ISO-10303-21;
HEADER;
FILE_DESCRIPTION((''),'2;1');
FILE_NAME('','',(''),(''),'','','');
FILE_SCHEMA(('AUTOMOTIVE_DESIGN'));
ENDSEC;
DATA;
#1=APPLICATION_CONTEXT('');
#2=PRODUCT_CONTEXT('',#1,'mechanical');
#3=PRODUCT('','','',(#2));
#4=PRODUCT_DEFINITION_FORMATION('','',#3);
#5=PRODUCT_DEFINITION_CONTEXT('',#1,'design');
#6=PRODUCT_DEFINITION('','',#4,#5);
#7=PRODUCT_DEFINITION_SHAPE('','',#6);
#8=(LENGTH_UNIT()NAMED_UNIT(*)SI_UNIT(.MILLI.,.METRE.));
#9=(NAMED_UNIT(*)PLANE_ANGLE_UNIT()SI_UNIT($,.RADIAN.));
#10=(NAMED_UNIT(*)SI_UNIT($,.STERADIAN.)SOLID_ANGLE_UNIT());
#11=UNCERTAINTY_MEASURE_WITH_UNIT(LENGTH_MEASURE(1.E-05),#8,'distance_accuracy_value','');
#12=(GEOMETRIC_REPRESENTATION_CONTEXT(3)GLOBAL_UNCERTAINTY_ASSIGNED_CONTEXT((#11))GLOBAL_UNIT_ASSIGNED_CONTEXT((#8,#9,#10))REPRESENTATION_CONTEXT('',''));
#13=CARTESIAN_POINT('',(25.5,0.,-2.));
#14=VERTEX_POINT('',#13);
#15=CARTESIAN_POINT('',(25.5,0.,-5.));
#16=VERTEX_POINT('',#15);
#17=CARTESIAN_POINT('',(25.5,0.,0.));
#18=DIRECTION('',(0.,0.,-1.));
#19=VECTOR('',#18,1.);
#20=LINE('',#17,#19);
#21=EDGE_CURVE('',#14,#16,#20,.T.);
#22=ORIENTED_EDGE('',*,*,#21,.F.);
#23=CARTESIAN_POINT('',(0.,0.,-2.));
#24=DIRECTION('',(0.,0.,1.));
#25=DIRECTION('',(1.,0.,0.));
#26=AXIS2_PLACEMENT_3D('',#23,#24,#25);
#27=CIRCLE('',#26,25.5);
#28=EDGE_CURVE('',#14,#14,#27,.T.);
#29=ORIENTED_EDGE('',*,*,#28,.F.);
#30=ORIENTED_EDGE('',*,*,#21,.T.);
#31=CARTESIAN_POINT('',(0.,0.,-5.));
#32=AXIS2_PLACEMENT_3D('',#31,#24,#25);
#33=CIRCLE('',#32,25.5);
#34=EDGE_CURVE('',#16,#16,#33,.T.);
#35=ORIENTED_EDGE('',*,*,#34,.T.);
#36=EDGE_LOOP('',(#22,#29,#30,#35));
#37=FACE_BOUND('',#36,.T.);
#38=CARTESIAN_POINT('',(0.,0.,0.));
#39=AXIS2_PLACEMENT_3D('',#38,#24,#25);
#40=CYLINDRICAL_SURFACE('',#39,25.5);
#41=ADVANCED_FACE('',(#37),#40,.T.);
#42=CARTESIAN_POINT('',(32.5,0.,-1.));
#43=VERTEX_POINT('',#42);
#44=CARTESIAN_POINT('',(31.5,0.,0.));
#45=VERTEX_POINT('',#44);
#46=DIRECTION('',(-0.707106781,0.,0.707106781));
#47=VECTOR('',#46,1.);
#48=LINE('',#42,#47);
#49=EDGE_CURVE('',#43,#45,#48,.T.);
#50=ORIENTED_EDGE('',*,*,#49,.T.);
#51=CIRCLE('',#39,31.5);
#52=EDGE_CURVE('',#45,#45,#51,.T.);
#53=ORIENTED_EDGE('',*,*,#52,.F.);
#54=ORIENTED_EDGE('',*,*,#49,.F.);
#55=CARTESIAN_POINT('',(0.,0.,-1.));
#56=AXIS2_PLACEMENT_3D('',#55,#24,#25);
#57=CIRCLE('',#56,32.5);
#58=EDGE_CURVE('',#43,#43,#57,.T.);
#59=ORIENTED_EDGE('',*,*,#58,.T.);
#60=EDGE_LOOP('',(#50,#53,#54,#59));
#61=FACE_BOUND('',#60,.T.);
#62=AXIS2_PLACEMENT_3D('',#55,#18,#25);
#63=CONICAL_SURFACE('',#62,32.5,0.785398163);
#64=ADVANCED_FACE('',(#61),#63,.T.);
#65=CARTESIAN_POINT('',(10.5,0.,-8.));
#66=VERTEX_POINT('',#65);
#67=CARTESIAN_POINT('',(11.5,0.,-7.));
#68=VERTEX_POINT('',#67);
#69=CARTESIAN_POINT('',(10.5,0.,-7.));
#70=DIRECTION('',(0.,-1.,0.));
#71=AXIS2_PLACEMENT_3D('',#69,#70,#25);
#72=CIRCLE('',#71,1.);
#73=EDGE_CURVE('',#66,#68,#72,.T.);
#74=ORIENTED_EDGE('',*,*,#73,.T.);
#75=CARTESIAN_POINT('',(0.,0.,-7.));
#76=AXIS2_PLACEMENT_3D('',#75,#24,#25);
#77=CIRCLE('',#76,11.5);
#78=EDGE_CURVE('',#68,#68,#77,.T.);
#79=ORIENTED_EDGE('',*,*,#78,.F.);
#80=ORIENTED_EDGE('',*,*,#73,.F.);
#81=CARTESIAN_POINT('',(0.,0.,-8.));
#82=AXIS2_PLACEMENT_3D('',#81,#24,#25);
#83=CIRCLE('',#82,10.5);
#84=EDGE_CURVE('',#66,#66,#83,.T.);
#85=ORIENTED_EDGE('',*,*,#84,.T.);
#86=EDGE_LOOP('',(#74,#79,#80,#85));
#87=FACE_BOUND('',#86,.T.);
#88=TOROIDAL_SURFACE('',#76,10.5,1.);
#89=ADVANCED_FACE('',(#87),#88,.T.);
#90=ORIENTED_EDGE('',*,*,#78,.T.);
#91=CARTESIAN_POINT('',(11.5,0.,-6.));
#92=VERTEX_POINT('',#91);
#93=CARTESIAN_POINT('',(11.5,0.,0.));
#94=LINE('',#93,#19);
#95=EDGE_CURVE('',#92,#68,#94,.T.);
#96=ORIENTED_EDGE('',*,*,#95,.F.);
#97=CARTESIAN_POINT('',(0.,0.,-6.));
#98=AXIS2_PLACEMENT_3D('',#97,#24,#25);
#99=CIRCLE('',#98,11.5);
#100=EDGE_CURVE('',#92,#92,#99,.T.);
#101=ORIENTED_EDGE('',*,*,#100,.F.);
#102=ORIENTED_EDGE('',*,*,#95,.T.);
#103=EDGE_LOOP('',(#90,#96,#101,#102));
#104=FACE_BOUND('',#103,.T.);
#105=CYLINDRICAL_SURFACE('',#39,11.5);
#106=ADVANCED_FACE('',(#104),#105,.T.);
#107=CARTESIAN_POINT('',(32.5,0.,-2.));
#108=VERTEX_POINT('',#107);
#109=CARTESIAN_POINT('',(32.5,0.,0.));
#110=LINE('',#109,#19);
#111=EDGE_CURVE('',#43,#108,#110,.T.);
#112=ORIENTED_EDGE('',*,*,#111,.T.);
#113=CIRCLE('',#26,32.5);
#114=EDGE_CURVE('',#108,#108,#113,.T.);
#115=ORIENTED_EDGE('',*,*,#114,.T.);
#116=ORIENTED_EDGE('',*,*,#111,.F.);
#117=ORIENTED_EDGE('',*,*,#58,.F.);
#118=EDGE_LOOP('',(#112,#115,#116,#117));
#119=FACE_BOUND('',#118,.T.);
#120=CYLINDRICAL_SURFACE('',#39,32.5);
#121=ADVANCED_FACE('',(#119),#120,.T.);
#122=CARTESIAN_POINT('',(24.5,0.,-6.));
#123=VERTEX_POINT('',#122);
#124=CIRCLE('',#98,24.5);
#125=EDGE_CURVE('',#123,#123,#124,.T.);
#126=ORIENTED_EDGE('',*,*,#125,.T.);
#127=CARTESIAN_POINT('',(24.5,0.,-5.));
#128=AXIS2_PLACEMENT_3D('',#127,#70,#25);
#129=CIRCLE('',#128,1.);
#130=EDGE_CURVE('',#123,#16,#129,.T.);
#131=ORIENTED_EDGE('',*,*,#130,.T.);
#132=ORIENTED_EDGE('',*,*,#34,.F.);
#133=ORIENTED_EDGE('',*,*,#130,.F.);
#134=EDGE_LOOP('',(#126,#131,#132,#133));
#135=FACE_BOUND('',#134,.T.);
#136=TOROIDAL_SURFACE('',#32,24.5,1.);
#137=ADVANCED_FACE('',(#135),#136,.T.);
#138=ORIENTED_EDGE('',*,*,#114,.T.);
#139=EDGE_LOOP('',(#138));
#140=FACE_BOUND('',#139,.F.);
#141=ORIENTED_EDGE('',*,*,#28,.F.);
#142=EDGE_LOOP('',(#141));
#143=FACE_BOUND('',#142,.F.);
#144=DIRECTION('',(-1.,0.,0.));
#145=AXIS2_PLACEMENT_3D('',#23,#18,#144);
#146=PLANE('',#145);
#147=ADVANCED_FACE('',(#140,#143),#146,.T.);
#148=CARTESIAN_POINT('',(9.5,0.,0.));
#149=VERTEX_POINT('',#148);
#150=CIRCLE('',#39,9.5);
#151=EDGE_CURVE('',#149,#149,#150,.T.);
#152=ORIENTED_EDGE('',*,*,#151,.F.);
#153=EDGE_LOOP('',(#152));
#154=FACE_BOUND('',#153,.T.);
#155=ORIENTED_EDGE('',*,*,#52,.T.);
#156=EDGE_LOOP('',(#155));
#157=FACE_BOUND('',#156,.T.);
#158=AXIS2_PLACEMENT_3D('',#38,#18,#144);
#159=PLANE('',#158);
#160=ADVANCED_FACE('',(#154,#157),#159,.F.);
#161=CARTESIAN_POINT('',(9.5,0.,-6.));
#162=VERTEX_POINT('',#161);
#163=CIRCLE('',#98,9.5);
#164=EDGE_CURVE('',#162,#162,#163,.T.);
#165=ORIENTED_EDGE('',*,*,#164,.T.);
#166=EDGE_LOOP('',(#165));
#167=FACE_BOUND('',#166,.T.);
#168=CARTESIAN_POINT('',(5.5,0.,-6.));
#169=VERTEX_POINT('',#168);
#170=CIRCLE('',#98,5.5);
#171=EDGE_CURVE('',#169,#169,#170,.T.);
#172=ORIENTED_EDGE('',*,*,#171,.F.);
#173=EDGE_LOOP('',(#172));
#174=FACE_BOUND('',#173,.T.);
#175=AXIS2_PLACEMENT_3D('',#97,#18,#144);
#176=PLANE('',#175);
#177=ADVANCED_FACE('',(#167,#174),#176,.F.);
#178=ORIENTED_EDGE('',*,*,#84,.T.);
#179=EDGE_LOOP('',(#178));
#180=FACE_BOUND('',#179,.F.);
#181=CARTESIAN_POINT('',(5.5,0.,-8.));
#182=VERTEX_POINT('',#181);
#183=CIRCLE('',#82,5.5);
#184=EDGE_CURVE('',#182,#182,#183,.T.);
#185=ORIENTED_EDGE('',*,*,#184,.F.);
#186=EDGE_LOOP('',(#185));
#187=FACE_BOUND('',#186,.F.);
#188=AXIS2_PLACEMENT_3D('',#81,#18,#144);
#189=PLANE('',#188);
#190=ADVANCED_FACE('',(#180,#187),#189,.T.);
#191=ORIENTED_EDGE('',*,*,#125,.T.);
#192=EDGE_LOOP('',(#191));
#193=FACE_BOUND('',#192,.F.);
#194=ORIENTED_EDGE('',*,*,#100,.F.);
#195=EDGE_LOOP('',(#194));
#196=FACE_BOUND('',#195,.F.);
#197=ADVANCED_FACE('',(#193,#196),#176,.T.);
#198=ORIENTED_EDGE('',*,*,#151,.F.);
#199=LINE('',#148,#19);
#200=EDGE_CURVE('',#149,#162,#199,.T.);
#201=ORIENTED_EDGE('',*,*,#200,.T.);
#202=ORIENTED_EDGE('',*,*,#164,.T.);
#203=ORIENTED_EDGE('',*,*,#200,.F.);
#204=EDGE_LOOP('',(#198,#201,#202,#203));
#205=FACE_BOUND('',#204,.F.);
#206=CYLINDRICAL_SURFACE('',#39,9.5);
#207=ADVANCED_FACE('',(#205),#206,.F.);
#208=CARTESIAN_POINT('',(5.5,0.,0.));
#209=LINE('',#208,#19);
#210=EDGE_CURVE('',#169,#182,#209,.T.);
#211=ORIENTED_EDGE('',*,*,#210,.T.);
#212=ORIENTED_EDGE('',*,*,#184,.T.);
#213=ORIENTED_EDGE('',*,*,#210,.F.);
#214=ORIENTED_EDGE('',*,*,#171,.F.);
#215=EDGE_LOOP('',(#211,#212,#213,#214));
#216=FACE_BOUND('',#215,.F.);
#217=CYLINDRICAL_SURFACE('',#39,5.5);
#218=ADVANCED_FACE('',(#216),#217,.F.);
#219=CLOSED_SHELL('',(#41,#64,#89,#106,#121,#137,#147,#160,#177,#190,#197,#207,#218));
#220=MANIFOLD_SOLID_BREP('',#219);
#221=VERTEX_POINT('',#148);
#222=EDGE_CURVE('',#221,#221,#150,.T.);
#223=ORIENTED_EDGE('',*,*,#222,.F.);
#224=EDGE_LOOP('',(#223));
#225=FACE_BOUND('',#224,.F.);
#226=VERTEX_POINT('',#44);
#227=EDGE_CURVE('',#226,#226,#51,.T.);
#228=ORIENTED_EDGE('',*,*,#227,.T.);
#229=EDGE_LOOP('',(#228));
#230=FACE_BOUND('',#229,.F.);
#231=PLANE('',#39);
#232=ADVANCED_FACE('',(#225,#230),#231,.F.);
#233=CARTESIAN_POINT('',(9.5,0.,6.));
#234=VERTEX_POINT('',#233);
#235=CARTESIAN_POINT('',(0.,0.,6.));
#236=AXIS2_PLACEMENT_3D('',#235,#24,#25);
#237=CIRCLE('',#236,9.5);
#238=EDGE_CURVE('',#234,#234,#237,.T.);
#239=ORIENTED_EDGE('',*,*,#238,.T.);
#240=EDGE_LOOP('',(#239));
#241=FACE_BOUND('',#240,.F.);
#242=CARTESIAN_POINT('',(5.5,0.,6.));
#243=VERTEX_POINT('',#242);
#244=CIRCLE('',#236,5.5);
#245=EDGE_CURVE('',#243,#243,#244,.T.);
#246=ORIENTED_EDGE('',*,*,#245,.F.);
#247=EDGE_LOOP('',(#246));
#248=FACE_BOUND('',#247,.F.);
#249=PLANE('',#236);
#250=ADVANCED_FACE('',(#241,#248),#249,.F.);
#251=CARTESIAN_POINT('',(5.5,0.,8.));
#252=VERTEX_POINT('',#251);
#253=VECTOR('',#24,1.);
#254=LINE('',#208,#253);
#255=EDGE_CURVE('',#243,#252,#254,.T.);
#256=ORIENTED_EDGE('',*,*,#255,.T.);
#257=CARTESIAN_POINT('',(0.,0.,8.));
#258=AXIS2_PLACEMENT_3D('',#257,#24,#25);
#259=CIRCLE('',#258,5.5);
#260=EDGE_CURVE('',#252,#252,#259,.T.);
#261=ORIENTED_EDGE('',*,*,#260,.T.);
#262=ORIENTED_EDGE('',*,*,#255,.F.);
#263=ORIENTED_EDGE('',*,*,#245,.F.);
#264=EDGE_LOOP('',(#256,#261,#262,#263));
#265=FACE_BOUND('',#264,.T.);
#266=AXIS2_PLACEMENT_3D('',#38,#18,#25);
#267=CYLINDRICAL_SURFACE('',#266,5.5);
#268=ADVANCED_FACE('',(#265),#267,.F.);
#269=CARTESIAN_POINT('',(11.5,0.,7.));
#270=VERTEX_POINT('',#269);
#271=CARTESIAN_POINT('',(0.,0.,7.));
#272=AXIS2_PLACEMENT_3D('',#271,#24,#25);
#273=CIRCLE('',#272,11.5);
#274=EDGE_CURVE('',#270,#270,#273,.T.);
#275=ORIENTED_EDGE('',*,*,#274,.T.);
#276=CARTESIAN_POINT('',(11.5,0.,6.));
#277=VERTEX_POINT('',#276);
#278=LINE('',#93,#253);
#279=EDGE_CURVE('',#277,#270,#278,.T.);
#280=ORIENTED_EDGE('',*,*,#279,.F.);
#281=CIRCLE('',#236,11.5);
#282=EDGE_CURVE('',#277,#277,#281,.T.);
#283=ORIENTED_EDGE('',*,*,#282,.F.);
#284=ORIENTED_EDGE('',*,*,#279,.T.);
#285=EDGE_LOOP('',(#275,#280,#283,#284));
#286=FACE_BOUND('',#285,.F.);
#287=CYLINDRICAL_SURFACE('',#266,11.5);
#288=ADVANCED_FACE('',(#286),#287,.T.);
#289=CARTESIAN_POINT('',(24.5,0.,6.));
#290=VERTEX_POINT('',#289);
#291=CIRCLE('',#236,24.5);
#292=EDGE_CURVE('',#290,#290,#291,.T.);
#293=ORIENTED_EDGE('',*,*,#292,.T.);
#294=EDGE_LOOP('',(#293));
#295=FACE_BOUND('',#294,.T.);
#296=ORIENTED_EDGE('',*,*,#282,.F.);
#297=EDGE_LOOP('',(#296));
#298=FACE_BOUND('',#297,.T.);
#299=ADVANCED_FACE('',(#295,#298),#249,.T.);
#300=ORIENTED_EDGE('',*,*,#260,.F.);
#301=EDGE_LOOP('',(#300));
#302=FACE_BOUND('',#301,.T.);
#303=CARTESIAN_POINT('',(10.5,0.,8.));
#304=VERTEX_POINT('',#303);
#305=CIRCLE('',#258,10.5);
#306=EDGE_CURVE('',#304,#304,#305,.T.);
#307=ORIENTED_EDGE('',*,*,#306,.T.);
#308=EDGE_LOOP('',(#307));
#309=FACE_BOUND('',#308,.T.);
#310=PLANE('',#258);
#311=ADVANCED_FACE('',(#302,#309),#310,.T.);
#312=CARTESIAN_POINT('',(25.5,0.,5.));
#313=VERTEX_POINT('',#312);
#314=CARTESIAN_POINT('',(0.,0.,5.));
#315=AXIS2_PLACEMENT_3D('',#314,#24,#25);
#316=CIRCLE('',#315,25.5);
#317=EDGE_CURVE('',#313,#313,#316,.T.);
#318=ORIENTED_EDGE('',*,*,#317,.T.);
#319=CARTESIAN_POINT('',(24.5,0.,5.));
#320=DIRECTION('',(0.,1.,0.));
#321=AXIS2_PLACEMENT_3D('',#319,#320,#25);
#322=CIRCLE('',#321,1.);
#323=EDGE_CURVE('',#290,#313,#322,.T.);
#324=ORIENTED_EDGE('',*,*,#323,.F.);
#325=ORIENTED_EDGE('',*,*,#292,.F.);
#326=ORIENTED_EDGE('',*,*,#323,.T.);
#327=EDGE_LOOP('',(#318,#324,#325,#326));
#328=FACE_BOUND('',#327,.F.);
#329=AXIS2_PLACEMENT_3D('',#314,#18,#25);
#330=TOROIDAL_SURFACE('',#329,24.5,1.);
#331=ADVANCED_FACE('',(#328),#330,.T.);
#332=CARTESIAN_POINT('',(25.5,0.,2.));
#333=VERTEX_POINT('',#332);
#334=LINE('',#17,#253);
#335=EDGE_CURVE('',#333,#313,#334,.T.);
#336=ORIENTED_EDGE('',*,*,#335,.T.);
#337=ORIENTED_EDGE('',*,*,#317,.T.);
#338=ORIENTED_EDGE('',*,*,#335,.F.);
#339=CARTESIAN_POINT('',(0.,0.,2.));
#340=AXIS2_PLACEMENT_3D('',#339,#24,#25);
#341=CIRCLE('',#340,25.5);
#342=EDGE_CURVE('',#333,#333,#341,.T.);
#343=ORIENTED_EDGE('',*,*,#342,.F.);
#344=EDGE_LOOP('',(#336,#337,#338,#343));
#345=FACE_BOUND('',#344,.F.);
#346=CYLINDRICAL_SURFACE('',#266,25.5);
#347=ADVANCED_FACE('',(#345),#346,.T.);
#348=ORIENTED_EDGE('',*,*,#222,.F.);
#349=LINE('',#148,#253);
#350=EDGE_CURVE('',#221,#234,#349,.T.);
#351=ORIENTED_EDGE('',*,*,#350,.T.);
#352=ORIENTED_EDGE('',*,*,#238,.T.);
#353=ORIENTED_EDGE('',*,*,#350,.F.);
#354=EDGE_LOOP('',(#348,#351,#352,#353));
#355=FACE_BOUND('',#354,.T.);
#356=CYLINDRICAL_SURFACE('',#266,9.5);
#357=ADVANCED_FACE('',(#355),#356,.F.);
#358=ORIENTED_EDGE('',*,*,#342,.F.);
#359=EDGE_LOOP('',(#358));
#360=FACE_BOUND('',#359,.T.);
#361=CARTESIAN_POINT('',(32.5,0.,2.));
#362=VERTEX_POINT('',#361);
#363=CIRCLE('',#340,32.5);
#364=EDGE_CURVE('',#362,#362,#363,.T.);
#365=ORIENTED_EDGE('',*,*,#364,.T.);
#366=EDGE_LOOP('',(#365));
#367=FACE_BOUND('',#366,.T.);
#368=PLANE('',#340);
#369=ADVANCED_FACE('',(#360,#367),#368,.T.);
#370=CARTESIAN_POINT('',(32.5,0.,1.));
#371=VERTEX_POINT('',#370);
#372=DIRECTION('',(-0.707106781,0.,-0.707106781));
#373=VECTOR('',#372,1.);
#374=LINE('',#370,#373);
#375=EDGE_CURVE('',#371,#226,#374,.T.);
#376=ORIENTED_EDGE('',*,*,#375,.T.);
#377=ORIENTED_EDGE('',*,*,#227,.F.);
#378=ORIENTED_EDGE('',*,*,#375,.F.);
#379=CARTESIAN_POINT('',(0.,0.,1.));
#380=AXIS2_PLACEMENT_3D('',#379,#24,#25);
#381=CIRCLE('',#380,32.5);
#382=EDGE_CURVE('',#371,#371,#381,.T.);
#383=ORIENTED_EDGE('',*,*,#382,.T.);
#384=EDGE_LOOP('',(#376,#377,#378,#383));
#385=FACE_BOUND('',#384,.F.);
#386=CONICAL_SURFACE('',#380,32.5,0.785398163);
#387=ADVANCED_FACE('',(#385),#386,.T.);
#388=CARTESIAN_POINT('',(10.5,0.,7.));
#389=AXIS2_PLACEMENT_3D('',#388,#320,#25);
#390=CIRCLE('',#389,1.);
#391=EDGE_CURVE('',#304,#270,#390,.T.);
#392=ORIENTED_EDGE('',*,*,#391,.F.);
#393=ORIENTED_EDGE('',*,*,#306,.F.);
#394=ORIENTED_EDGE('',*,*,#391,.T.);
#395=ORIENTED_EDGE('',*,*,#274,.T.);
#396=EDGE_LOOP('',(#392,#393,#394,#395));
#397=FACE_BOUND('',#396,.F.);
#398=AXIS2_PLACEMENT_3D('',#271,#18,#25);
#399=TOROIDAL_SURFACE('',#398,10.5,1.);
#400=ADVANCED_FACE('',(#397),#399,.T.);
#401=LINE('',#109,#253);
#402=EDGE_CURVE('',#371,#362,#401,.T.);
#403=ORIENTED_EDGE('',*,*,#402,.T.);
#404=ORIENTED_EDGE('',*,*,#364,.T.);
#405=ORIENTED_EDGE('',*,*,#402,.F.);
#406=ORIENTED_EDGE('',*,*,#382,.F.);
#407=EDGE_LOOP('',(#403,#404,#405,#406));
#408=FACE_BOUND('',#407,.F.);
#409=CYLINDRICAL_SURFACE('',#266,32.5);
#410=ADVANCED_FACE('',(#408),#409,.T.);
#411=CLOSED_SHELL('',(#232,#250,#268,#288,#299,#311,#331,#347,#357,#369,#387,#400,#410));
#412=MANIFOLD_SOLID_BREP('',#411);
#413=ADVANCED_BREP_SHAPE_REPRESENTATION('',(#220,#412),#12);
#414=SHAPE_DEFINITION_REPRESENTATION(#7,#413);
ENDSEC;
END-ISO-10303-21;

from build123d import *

# Parameters (mm, degrees)
F0_R     = 32.5
F0_R_2   = 25.5
F1_DEPTH = 2
F0_R_3   = 11.5
F2_DEPTH = 6
F0_R_4   = 9.5
F3_DEPTH = 8
F0_R_5   = 5.5
F4_DEPTH = 8
F5_DEPTH = 6
F6_R     = 1
F7_R     = 1
F8_SIZE  = 1


with BuildPart() as f1:
    # F0 (on Top) → F1 (new body)
    with BuildSketch(Plane.XY):
        Circle(F0_R)
        Circle(F0_R_2, mode=Mode.SUBTRACT)
    extrude(amount=F1_DEPTH)

    # F0 (on Top) → F2 (join)
    with BuildSketch(Plane.XY):
        Circle(F0_R_2)
        Circle(F0_R_3, mode=Mode.SUBTRACT)
    extrude(amount=F2_DEPTH)

    # F0 (on Top) → F3 (join)
    with BuildSketch(Plane.XY):
        Circle(F0_R_3)
        Circle(F0_R_4, mode=Mode.SUBTRACT)
    extrude(amount=F3_DEPTH)

    # F0 (on Top) → F4 (join)
    with BuildSketch(Plane.XY):
        Circle(F0_R_4)
        Circle(F0_R_5, mode=Mode.SUBTRACT)
    extrude(amount=F4_DEPTH)

    # F0 (on Top) → F5 (cut)
    with BuildSketch(Plane.XY):
        Circle(F0_R_4)
        Circle(F0_R_5, mode=Mode.SUBTRACT)
    extrude(amount=F5_DEPTH, mode=Mode.SUBTRACT)

    # F6
    f6_edges = [f1.edges().sort_by_distance(p)[0] for p in [
        (-11.5, 0, 8),
    ]]
    fillet(f6_edges, radius=F6_R)

    # F7
    f7_edges = [f1.edges().sort_by_distance(p)[0] for p in [
        (-25.5, 0, 6),
    ]]
    fillet(f7_edges, radius=F7_R)

    # F8
    f8_edges = [f1.edges().sort_by_distance(p)[0] for p in [
        (-32.5, 0, 0),
    ]]
    chamfer(f8_edges, length=F8_SIZE)


with BuildPart() as f9_1:
    # F9: instance of F1
    add(f1.part.mirror(Plane(origin=(0, 0, 0), x_dir=(1, 0, 0), z_dir=(0, 0, -1))))


solid = Compound([f1.part, f9_1.part])
